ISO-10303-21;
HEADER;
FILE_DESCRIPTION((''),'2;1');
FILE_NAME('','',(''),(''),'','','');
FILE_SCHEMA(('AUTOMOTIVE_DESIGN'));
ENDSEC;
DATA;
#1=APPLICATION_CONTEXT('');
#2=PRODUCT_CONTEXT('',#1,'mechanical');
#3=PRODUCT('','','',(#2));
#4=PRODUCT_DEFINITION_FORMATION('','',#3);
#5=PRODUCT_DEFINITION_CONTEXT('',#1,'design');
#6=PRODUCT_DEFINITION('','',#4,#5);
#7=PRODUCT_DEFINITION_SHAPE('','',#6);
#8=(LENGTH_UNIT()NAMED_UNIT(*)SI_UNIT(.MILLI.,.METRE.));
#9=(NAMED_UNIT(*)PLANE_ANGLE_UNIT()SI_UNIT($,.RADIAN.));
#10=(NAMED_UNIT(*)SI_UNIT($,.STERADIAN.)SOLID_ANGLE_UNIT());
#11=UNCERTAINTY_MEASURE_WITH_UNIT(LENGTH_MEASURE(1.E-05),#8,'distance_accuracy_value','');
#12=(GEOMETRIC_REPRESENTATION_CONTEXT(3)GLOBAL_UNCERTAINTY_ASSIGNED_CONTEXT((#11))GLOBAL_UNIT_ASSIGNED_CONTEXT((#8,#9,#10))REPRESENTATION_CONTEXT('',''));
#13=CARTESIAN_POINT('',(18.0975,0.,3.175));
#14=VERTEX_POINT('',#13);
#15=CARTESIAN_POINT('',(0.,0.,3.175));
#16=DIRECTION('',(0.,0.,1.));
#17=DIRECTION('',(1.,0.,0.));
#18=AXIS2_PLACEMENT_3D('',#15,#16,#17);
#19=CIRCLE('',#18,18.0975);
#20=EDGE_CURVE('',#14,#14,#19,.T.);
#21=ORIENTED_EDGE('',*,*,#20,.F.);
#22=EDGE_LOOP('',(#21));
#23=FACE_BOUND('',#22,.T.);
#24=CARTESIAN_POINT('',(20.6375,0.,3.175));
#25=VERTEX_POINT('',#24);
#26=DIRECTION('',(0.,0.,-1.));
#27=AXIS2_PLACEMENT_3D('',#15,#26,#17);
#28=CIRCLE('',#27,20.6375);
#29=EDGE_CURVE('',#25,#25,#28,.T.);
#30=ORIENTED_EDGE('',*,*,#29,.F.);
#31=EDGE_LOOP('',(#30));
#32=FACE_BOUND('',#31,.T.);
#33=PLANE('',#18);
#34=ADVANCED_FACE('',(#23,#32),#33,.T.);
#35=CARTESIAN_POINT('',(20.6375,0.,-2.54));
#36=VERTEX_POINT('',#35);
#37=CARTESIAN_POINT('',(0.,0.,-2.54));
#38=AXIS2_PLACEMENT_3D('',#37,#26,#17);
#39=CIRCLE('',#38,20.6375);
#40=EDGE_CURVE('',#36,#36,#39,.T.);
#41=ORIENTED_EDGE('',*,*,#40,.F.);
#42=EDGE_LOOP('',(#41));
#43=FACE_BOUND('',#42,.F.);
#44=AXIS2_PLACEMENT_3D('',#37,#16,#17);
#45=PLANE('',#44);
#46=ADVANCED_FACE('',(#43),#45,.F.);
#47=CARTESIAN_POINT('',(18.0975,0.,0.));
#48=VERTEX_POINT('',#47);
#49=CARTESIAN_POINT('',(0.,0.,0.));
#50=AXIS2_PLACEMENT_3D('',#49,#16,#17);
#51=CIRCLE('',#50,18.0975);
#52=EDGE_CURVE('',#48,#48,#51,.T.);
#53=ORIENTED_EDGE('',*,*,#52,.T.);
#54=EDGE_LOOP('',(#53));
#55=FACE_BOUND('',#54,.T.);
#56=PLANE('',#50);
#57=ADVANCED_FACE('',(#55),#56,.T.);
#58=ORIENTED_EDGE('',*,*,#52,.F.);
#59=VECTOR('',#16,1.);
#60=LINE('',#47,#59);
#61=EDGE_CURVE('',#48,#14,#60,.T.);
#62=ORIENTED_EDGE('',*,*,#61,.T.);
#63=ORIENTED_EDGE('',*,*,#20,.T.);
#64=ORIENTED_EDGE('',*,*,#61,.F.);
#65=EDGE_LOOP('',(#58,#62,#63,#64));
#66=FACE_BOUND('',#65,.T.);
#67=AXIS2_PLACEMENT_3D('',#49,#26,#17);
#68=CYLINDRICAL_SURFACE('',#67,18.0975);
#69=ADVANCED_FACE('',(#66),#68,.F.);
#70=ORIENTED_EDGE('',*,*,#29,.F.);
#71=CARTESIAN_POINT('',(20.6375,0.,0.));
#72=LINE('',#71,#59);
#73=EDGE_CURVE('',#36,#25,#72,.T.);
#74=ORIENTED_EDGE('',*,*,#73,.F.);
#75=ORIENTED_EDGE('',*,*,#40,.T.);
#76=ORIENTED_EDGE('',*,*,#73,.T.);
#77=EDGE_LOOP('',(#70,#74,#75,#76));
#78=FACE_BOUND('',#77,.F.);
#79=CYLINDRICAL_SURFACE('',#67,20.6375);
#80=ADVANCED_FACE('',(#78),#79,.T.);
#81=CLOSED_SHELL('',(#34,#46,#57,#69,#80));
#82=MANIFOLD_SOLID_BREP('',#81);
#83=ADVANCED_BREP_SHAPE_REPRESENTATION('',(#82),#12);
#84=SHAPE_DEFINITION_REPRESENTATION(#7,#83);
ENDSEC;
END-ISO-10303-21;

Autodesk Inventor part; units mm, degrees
ref_plane "YZ Plane" through (0, 0, 0) normal (1, 0, 0) x (0, 1, 0)
ref_plane "XZ Plane" through (0, 0, 0) normal (0, 1, 0) x (-1, 0, 0)
ref_plane "XY Plane" through (0, 0, 0) normal (0, 0, 1) x (1, 0, 0)
sketch "Sketch1" plane through (0, 0, 0) normal (0, 0, 1) x (1, 0, 0)
  circle A0 centre (0, 0) radius 18.0975
  dimension "d0" = 36.195
extrude "Extrusion1" add sketch "Sketch1" along normal blind 3.175
shell "Shell1" thickness 2.54 outward yes removed faces 1 at (-3.481, -0.1965, 3.175)
properties part number "Topgearprot"
